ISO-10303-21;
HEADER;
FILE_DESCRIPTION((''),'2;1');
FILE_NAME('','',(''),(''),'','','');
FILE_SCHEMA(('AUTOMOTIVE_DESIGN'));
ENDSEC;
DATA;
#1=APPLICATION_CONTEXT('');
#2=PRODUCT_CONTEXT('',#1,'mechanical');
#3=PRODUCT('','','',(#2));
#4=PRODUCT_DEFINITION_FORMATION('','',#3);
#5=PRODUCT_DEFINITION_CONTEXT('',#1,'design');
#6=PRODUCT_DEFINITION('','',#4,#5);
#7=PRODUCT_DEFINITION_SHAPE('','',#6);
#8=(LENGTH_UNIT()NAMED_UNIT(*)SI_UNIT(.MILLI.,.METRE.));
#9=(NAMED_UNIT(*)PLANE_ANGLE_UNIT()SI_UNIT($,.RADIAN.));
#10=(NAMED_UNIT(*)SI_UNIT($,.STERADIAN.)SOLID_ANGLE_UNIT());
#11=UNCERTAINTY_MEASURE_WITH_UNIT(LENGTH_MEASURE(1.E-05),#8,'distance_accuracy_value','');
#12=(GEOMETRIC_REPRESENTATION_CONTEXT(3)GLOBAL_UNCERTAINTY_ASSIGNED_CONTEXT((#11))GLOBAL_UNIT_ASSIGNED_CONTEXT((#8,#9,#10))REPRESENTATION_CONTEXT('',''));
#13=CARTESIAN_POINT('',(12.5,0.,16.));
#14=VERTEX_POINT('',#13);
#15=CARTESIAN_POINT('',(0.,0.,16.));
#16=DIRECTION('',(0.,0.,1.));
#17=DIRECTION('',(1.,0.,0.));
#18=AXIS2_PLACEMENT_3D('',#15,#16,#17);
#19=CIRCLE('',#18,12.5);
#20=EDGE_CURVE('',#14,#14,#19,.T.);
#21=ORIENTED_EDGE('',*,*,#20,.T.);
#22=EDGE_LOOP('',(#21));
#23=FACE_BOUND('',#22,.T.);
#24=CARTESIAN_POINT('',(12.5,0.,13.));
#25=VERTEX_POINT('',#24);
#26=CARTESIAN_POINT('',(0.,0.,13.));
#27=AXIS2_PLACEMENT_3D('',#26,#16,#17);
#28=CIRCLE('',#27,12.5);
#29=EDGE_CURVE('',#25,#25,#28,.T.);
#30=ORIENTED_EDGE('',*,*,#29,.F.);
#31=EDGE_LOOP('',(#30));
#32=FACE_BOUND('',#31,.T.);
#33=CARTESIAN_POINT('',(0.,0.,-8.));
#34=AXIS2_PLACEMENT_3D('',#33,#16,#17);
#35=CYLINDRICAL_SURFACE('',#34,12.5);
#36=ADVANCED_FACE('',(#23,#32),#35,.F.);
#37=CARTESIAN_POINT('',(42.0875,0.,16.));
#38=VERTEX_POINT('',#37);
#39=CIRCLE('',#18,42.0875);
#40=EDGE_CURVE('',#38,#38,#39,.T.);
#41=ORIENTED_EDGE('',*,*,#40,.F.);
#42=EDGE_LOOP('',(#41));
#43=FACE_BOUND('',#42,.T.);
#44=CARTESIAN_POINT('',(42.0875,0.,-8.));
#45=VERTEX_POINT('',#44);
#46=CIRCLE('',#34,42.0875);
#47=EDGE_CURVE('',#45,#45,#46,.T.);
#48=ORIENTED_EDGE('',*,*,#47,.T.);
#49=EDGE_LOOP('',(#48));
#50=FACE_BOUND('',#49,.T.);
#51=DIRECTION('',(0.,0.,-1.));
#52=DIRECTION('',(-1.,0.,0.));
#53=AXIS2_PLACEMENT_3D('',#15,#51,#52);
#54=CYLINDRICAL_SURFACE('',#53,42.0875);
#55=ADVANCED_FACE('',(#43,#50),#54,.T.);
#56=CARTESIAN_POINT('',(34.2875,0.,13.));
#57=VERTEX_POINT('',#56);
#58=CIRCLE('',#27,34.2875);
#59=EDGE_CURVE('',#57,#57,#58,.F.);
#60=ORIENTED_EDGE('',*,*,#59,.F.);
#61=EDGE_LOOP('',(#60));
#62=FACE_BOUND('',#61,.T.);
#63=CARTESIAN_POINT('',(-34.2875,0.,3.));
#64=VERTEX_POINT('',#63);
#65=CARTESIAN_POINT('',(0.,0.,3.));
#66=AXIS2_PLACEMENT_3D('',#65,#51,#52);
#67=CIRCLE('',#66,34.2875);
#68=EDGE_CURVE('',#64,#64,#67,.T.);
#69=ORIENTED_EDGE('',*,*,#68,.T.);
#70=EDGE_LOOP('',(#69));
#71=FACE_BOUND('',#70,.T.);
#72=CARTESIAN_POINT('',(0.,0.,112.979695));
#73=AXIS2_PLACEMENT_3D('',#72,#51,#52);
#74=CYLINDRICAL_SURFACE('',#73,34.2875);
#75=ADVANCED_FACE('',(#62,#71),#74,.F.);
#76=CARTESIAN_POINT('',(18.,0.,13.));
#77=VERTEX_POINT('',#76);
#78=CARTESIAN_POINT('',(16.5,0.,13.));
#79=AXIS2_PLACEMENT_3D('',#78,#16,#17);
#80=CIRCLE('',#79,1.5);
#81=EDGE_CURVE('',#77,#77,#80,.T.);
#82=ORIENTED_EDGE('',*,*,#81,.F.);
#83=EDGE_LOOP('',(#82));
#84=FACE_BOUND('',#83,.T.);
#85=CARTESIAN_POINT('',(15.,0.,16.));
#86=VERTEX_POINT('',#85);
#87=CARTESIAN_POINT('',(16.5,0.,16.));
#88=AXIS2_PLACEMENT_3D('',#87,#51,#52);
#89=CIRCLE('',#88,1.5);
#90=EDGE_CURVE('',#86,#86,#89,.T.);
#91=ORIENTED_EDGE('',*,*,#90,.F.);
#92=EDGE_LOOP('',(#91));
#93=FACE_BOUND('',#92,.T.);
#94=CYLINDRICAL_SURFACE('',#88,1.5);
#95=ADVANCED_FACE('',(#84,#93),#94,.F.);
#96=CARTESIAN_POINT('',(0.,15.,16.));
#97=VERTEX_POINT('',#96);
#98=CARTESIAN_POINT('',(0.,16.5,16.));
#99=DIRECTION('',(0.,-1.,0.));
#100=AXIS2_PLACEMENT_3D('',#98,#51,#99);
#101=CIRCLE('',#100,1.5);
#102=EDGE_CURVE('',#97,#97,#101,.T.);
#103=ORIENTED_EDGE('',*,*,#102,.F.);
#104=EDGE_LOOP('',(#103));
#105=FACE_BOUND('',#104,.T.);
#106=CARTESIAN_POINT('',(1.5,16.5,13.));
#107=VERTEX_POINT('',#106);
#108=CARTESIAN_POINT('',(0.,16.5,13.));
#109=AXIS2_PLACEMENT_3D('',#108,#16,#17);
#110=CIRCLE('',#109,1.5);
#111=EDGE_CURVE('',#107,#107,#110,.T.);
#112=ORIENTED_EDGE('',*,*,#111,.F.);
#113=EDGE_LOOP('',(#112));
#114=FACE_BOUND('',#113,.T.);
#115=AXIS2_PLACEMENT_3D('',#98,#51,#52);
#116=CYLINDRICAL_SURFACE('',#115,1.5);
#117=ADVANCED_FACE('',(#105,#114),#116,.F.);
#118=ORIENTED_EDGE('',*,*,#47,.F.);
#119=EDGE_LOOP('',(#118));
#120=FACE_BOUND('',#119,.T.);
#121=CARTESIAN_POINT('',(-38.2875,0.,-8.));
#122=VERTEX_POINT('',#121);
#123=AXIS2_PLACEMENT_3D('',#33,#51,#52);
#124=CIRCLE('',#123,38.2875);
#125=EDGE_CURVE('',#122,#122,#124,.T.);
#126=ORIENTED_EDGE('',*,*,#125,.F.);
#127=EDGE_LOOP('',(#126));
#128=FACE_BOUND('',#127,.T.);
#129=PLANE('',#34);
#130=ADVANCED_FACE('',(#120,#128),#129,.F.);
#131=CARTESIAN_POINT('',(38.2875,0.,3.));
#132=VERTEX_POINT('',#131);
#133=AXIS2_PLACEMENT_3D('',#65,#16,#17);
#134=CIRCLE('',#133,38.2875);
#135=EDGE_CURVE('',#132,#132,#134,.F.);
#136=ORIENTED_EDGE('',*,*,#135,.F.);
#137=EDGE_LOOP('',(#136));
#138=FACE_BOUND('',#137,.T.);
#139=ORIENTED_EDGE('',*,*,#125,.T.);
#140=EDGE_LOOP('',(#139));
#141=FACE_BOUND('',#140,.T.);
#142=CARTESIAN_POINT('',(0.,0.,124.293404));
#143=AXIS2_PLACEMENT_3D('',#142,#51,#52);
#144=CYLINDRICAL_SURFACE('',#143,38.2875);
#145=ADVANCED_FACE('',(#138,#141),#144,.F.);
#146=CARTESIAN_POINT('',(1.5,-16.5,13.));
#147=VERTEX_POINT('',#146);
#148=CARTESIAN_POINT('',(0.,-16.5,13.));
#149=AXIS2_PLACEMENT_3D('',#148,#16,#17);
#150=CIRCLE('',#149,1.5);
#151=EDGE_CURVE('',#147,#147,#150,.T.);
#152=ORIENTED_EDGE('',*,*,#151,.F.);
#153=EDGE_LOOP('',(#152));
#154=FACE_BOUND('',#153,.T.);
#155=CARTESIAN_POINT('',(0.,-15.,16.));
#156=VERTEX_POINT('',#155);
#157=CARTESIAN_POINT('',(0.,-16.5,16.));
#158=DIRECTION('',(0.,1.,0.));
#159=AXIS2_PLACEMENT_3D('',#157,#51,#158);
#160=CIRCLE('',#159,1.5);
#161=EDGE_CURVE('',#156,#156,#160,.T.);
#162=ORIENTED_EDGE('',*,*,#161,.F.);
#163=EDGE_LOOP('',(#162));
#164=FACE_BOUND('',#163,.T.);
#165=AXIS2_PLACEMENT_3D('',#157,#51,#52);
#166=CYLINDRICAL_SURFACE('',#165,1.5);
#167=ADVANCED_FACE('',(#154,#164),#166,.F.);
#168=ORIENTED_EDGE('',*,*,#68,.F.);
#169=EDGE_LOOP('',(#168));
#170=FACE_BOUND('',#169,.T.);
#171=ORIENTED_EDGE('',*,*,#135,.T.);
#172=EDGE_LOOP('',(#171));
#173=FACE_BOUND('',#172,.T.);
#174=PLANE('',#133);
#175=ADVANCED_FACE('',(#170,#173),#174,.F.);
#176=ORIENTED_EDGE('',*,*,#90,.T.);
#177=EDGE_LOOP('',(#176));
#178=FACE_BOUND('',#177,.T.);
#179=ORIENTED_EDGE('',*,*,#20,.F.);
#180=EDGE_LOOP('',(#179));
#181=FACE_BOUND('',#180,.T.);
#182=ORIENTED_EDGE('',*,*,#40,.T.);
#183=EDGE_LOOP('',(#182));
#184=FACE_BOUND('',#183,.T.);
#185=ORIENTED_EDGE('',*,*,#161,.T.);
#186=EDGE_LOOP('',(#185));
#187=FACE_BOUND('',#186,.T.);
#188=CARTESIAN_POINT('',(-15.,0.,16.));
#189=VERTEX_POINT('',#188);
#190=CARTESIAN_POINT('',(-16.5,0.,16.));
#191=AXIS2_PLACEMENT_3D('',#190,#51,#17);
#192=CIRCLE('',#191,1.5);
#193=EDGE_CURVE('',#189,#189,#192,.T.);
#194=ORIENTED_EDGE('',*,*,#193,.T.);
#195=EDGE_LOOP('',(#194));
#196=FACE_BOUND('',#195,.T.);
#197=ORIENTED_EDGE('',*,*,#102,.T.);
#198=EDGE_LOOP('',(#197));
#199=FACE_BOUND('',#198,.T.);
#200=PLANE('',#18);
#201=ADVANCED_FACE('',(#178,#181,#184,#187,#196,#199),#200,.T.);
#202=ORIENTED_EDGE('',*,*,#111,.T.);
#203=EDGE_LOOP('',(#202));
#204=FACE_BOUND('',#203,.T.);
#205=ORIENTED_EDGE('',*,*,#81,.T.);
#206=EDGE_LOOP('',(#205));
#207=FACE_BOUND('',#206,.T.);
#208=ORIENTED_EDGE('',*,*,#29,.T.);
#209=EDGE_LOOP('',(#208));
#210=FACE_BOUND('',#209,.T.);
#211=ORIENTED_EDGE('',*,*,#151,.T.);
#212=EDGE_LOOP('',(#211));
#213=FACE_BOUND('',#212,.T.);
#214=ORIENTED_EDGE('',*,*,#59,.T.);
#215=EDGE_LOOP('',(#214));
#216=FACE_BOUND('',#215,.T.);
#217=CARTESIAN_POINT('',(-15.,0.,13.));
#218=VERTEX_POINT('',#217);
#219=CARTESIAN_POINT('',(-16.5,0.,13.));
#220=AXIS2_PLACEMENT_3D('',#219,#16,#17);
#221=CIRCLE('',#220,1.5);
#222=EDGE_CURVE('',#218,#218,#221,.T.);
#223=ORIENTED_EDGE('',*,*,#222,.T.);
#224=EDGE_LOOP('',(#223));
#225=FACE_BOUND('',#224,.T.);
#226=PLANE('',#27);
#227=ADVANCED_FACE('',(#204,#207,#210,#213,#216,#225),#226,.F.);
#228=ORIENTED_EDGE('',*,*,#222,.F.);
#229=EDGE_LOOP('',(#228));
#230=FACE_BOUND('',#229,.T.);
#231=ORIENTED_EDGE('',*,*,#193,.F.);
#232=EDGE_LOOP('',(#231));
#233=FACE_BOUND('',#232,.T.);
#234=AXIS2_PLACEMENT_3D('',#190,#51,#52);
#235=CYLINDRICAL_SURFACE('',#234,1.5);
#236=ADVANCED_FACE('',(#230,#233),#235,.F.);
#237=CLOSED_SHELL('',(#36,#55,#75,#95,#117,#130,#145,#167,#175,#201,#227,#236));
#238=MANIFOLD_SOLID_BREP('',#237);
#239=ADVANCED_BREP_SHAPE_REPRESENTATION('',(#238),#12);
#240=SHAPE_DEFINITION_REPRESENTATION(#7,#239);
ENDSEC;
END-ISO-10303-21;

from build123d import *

# Parameters (mm, degrees)
SKETCH1_R               = 42.0875
BOSS_EXTRUDE1_DEPTH     = 24
SKETCH2_R               = 38.2875
CUT_EXTRUDE1_DEPTH      = 11
SKETCH3_R               = 34.2875
CUT_EXTRUDE2_DEPTH      = 10
SKETCH5_R               = 12.5
CUT_EXTRUDE4_DEPTH      = 1
CUT_EXTRUDE4_DEPTH_BACK = 25
CUT_EXTRUDE3_START      = -4
SKETCH4_R               = 1.5
CUT_EXTRUDE3_DEPTH      = 26
CIRPATTERN1_COUNT       = 4


with BuildPart() as part:
    # Sketch1 → Boss-Extrude1 (new body)
    with BuildSketch(Plane.XY.offset(-8)):
        Circle(SKETCH1_R)
    extrude(amount=BOSS_EXTRUDE1_DEPTH)

    # Sketch2 → Cut-Extrude1 (cut)
    with BuildSketch(Plane(origin=(0, 0, -8), x_dir=(-1, 0, 0), z_dir=(0, 0, -1))):
        Circle(SKETCH2_R)
    extrude(amount=-CUT_EXTRUDE1_DEPTH, mode=Mode.SUBTRACT)

    # Sketch3 → Cut-Extrude2 (cut)
    with BuildSketch(Plane(origin=(0, 0, 3), x_dir=(-1, 0, 0), z_dir=(0, 0, -1))):
        Circle(SKETCH3_R)
    extrude(amount=-CUT_EXTRUDE2_DEPTH, mode=Mode.SUBTRACT)

    # Sketch5 → Cut-Extrude4 (cut, two sides)
    with BuildSketch(Plane.XY.offset(16)) as cut_extrude4_sk:
        Circle(SKETCH5_R)
    extrude(amount=CUT_EXTRUDE4_DEPTH, mode=Mode.SUBTRACT)
    extrude(cut_extrude4_sk.sketch, amount=-CUT_EXTRUDE4_DEPTH_BACK, mode=Mode.SUBTRACT)

    # Sketch4 → Cut-Extrude3 (cut)
    with BuildSketch(Plane(origin=(0, 0, 13), x_dir=(-1, 0, 0), z_dir=(0, 0, -1)).offset(CUT_EXTRUDE3_START)):
        with Locations((-16.5, 0)):
            Circle(SKETCH4_R)
    cut_extrude3 = extrude(amount=CUT_EXTRUDE3_DEPTH, mode=Mode.SUBTRACT)

    # CirPattern1: Cut-Extrude3 ×4 about axis
    cirpattern1_axis = Axis((0, 0, 0), (0, 0, 1))
    for i in range(1, CIRPATTERN1_COUNT):
        add(cut_extrude3.rotate(cirpattern1_axis, i * 360 / CIRPATTERN1_COUNT), mode=Mode.SUBTRACT)


solid = part.part
